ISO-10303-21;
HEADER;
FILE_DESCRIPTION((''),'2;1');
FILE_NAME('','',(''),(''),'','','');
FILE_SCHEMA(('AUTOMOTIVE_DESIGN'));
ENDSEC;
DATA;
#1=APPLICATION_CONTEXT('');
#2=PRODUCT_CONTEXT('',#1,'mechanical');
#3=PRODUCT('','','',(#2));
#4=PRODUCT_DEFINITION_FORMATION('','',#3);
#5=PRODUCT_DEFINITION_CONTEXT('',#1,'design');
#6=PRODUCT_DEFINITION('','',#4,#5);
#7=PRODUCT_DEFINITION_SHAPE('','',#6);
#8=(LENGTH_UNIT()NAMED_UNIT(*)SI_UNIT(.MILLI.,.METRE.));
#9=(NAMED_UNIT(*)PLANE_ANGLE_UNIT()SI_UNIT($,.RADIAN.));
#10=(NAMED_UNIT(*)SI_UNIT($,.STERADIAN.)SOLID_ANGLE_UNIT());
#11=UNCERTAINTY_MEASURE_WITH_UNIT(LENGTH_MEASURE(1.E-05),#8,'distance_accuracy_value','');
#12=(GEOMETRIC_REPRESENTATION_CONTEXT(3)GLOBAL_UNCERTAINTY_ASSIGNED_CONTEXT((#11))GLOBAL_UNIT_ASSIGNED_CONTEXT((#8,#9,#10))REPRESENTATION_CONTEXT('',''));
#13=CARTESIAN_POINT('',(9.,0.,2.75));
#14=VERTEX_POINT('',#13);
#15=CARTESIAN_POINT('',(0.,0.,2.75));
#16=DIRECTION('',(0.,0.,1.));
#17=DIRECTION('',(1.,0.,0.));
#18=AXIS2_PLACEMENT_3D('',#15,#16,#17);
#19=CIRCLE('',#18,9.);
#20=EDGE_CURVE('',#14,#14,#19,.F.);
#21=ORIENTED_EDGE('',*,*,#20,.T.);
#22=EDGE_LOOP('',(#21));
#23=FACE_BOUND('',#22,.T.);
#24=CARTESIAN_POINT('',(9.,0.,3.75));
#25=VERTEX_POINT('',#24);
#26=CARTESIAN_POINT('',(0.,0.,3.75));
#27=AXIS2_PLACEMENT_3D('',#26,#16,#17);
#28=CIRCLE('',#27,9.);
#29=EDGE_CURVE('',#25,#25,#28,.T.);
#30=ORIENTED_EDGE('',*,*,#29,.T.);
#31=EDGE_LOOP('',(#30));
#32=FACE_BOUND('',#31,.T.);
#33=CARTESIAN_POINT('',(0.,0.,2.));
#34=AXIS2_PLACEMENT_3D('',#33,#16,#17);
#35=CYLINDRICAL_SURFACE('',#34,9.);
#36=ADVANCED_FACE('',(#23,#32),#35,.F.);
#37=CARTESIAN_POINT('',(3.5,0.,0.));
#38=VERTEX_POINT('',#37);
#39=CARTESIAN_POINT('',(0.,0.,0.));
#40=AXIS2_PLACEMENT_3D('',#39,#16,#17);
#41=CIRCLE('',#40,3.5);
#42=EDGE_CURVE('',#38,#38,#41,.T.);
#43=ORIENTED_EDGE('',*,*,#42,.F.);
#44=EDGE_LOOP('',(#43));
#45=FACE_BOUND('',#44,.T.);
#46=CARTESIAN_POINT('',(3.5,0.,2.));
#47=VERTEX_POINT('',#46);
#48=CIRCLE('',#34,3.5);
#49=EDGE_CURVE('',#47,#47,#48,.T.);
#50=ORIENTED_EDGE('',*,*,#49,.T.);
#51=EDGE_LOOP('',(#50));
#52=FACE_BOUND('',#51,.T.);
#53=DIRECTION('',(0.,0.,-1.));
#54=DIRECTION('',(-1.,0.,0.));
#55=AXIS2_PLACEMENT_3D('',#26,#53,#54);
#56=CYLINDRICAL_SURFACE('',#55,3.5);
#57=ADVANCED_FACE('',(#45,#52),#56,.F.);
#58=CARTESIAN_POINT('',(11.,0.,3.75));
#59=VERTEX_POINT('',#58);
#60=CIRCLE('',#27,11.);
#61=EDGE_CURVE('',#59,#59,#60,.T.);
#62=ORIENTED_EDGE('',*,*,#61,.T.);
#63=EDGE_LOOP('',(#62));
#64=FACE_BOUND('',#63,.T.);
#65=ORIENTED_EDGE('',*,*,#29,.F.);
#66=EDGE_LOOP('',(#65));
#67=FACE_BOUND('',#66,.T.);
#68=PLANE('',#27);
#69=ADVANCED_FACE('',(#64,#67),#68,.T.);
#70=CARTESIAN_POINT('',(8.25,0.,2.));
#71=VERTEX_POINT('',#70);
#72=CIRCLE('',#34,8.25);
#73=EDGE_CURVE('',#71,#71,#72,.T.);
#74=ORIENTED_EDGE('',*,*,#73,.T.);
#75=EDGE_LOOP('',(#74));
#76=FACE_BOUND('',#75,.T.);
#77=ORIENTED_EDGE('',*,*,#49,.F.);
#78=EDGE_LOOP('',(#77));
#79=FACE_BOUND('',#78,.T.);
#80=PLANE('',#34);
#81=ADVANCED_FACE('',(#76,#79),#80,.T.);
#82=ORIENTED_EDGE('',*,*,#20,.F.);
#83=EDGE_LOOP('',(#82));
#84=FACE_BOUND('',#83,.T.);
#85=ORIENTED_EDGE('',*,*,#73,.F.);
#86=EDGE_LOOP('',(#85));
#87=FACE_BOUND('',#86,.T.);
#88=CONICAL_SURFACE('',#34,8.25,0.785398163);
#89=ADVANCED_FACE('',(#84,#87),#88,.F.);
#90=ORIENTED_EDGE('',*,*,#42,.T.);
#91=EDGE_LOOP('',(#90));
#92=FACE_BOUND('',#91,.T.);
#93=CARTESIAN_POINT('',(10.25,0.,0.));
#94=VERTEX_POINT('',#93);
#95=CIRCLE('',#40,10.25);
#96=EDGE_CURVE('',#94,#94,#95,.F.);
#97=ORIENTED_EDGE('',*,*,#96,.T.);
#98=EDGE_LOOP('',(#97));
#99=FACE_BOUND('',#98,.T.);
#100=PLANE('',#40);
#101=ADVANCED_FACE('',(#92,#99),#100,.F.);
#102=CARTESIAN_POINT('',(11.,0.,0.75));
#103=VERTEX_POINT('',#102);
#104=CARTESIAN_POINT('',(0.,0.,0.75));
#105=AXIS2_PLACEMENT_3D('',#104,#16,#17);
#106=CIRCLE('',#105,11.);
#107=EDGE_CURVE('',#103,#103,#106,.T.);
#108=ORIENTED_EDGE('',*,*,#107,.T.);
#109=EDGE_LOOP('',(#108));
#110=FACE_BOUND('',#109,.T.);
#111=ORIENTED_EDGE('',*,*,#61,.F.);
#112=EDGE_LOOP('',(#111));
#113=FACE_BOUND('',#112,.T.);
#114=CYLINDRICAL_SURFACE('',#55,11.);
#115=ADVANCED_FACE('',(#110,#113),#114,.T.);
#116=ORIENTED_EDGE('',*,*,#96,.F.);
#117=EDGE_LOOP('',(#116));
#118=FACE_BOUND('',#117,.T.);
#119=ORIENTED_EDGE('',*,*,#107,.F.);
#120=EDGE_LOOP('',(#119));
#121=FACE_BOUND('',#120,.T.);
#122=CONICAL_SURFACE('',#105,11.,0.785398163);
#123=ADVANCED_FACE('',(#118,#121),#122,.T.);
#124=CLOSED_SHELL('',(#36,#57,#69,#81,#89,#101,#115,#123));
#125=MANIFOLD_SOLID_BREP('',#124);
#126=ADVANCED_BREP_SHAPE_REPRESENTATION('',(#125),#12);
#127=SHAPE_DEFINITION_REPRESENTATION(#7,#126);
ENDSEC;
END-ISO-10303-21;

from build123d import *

# Parameters (mm, degrees)
SKETCH1_R           = 11
SKETCH1_R_2         = 3.5
BOSS_EXTRUDE1_DEPTH = 3.75
CHAMFER1_SIZE       = 0.75
SKETCH2_R           = 9
CUT_EXTRUDE1_DEPTH  = 1.75
CHAMFER2_SIZE       = 0.75


with BuildPart() as part:
    # Sketch1 → Boss-Extrude1 (new body)
    with BuildSketch(Plane.XY):
        Circle(SKETCH1_R)
        Circle(SKETCH1_R_2, mode=Mode.SUBTRACT)
    extrude(amount=BOSS_EXTRUDE1_DEPTH)

    # Chamfer1
    chamfer1_edges = [part.edges().sort_by_distance(p)[0] for p in [
        (-11, 0, 0),
    ]]
    chamfer(chamfer1_edges, length=CHAMFER1_SIZE)

    # Sketch2 → Cut-Extrude1 (cut)
    with BuildSketch(Plane.XY.offset(3.75)):
        Circle(SKETCH2_R)
    extrude(amount=-CUT_EXTRUDE1_DEPTH, mode=Mode.SUBTRACT)

    # Chamfer2
    chamfer2_edges = [part.edges().sort_by_distance(p)[0] for p in [
        (-9, 0, 2),
    ]]
    chamfer(chamfer2_edges, length=CHAMFER2_SIZE)


solid = part.part
